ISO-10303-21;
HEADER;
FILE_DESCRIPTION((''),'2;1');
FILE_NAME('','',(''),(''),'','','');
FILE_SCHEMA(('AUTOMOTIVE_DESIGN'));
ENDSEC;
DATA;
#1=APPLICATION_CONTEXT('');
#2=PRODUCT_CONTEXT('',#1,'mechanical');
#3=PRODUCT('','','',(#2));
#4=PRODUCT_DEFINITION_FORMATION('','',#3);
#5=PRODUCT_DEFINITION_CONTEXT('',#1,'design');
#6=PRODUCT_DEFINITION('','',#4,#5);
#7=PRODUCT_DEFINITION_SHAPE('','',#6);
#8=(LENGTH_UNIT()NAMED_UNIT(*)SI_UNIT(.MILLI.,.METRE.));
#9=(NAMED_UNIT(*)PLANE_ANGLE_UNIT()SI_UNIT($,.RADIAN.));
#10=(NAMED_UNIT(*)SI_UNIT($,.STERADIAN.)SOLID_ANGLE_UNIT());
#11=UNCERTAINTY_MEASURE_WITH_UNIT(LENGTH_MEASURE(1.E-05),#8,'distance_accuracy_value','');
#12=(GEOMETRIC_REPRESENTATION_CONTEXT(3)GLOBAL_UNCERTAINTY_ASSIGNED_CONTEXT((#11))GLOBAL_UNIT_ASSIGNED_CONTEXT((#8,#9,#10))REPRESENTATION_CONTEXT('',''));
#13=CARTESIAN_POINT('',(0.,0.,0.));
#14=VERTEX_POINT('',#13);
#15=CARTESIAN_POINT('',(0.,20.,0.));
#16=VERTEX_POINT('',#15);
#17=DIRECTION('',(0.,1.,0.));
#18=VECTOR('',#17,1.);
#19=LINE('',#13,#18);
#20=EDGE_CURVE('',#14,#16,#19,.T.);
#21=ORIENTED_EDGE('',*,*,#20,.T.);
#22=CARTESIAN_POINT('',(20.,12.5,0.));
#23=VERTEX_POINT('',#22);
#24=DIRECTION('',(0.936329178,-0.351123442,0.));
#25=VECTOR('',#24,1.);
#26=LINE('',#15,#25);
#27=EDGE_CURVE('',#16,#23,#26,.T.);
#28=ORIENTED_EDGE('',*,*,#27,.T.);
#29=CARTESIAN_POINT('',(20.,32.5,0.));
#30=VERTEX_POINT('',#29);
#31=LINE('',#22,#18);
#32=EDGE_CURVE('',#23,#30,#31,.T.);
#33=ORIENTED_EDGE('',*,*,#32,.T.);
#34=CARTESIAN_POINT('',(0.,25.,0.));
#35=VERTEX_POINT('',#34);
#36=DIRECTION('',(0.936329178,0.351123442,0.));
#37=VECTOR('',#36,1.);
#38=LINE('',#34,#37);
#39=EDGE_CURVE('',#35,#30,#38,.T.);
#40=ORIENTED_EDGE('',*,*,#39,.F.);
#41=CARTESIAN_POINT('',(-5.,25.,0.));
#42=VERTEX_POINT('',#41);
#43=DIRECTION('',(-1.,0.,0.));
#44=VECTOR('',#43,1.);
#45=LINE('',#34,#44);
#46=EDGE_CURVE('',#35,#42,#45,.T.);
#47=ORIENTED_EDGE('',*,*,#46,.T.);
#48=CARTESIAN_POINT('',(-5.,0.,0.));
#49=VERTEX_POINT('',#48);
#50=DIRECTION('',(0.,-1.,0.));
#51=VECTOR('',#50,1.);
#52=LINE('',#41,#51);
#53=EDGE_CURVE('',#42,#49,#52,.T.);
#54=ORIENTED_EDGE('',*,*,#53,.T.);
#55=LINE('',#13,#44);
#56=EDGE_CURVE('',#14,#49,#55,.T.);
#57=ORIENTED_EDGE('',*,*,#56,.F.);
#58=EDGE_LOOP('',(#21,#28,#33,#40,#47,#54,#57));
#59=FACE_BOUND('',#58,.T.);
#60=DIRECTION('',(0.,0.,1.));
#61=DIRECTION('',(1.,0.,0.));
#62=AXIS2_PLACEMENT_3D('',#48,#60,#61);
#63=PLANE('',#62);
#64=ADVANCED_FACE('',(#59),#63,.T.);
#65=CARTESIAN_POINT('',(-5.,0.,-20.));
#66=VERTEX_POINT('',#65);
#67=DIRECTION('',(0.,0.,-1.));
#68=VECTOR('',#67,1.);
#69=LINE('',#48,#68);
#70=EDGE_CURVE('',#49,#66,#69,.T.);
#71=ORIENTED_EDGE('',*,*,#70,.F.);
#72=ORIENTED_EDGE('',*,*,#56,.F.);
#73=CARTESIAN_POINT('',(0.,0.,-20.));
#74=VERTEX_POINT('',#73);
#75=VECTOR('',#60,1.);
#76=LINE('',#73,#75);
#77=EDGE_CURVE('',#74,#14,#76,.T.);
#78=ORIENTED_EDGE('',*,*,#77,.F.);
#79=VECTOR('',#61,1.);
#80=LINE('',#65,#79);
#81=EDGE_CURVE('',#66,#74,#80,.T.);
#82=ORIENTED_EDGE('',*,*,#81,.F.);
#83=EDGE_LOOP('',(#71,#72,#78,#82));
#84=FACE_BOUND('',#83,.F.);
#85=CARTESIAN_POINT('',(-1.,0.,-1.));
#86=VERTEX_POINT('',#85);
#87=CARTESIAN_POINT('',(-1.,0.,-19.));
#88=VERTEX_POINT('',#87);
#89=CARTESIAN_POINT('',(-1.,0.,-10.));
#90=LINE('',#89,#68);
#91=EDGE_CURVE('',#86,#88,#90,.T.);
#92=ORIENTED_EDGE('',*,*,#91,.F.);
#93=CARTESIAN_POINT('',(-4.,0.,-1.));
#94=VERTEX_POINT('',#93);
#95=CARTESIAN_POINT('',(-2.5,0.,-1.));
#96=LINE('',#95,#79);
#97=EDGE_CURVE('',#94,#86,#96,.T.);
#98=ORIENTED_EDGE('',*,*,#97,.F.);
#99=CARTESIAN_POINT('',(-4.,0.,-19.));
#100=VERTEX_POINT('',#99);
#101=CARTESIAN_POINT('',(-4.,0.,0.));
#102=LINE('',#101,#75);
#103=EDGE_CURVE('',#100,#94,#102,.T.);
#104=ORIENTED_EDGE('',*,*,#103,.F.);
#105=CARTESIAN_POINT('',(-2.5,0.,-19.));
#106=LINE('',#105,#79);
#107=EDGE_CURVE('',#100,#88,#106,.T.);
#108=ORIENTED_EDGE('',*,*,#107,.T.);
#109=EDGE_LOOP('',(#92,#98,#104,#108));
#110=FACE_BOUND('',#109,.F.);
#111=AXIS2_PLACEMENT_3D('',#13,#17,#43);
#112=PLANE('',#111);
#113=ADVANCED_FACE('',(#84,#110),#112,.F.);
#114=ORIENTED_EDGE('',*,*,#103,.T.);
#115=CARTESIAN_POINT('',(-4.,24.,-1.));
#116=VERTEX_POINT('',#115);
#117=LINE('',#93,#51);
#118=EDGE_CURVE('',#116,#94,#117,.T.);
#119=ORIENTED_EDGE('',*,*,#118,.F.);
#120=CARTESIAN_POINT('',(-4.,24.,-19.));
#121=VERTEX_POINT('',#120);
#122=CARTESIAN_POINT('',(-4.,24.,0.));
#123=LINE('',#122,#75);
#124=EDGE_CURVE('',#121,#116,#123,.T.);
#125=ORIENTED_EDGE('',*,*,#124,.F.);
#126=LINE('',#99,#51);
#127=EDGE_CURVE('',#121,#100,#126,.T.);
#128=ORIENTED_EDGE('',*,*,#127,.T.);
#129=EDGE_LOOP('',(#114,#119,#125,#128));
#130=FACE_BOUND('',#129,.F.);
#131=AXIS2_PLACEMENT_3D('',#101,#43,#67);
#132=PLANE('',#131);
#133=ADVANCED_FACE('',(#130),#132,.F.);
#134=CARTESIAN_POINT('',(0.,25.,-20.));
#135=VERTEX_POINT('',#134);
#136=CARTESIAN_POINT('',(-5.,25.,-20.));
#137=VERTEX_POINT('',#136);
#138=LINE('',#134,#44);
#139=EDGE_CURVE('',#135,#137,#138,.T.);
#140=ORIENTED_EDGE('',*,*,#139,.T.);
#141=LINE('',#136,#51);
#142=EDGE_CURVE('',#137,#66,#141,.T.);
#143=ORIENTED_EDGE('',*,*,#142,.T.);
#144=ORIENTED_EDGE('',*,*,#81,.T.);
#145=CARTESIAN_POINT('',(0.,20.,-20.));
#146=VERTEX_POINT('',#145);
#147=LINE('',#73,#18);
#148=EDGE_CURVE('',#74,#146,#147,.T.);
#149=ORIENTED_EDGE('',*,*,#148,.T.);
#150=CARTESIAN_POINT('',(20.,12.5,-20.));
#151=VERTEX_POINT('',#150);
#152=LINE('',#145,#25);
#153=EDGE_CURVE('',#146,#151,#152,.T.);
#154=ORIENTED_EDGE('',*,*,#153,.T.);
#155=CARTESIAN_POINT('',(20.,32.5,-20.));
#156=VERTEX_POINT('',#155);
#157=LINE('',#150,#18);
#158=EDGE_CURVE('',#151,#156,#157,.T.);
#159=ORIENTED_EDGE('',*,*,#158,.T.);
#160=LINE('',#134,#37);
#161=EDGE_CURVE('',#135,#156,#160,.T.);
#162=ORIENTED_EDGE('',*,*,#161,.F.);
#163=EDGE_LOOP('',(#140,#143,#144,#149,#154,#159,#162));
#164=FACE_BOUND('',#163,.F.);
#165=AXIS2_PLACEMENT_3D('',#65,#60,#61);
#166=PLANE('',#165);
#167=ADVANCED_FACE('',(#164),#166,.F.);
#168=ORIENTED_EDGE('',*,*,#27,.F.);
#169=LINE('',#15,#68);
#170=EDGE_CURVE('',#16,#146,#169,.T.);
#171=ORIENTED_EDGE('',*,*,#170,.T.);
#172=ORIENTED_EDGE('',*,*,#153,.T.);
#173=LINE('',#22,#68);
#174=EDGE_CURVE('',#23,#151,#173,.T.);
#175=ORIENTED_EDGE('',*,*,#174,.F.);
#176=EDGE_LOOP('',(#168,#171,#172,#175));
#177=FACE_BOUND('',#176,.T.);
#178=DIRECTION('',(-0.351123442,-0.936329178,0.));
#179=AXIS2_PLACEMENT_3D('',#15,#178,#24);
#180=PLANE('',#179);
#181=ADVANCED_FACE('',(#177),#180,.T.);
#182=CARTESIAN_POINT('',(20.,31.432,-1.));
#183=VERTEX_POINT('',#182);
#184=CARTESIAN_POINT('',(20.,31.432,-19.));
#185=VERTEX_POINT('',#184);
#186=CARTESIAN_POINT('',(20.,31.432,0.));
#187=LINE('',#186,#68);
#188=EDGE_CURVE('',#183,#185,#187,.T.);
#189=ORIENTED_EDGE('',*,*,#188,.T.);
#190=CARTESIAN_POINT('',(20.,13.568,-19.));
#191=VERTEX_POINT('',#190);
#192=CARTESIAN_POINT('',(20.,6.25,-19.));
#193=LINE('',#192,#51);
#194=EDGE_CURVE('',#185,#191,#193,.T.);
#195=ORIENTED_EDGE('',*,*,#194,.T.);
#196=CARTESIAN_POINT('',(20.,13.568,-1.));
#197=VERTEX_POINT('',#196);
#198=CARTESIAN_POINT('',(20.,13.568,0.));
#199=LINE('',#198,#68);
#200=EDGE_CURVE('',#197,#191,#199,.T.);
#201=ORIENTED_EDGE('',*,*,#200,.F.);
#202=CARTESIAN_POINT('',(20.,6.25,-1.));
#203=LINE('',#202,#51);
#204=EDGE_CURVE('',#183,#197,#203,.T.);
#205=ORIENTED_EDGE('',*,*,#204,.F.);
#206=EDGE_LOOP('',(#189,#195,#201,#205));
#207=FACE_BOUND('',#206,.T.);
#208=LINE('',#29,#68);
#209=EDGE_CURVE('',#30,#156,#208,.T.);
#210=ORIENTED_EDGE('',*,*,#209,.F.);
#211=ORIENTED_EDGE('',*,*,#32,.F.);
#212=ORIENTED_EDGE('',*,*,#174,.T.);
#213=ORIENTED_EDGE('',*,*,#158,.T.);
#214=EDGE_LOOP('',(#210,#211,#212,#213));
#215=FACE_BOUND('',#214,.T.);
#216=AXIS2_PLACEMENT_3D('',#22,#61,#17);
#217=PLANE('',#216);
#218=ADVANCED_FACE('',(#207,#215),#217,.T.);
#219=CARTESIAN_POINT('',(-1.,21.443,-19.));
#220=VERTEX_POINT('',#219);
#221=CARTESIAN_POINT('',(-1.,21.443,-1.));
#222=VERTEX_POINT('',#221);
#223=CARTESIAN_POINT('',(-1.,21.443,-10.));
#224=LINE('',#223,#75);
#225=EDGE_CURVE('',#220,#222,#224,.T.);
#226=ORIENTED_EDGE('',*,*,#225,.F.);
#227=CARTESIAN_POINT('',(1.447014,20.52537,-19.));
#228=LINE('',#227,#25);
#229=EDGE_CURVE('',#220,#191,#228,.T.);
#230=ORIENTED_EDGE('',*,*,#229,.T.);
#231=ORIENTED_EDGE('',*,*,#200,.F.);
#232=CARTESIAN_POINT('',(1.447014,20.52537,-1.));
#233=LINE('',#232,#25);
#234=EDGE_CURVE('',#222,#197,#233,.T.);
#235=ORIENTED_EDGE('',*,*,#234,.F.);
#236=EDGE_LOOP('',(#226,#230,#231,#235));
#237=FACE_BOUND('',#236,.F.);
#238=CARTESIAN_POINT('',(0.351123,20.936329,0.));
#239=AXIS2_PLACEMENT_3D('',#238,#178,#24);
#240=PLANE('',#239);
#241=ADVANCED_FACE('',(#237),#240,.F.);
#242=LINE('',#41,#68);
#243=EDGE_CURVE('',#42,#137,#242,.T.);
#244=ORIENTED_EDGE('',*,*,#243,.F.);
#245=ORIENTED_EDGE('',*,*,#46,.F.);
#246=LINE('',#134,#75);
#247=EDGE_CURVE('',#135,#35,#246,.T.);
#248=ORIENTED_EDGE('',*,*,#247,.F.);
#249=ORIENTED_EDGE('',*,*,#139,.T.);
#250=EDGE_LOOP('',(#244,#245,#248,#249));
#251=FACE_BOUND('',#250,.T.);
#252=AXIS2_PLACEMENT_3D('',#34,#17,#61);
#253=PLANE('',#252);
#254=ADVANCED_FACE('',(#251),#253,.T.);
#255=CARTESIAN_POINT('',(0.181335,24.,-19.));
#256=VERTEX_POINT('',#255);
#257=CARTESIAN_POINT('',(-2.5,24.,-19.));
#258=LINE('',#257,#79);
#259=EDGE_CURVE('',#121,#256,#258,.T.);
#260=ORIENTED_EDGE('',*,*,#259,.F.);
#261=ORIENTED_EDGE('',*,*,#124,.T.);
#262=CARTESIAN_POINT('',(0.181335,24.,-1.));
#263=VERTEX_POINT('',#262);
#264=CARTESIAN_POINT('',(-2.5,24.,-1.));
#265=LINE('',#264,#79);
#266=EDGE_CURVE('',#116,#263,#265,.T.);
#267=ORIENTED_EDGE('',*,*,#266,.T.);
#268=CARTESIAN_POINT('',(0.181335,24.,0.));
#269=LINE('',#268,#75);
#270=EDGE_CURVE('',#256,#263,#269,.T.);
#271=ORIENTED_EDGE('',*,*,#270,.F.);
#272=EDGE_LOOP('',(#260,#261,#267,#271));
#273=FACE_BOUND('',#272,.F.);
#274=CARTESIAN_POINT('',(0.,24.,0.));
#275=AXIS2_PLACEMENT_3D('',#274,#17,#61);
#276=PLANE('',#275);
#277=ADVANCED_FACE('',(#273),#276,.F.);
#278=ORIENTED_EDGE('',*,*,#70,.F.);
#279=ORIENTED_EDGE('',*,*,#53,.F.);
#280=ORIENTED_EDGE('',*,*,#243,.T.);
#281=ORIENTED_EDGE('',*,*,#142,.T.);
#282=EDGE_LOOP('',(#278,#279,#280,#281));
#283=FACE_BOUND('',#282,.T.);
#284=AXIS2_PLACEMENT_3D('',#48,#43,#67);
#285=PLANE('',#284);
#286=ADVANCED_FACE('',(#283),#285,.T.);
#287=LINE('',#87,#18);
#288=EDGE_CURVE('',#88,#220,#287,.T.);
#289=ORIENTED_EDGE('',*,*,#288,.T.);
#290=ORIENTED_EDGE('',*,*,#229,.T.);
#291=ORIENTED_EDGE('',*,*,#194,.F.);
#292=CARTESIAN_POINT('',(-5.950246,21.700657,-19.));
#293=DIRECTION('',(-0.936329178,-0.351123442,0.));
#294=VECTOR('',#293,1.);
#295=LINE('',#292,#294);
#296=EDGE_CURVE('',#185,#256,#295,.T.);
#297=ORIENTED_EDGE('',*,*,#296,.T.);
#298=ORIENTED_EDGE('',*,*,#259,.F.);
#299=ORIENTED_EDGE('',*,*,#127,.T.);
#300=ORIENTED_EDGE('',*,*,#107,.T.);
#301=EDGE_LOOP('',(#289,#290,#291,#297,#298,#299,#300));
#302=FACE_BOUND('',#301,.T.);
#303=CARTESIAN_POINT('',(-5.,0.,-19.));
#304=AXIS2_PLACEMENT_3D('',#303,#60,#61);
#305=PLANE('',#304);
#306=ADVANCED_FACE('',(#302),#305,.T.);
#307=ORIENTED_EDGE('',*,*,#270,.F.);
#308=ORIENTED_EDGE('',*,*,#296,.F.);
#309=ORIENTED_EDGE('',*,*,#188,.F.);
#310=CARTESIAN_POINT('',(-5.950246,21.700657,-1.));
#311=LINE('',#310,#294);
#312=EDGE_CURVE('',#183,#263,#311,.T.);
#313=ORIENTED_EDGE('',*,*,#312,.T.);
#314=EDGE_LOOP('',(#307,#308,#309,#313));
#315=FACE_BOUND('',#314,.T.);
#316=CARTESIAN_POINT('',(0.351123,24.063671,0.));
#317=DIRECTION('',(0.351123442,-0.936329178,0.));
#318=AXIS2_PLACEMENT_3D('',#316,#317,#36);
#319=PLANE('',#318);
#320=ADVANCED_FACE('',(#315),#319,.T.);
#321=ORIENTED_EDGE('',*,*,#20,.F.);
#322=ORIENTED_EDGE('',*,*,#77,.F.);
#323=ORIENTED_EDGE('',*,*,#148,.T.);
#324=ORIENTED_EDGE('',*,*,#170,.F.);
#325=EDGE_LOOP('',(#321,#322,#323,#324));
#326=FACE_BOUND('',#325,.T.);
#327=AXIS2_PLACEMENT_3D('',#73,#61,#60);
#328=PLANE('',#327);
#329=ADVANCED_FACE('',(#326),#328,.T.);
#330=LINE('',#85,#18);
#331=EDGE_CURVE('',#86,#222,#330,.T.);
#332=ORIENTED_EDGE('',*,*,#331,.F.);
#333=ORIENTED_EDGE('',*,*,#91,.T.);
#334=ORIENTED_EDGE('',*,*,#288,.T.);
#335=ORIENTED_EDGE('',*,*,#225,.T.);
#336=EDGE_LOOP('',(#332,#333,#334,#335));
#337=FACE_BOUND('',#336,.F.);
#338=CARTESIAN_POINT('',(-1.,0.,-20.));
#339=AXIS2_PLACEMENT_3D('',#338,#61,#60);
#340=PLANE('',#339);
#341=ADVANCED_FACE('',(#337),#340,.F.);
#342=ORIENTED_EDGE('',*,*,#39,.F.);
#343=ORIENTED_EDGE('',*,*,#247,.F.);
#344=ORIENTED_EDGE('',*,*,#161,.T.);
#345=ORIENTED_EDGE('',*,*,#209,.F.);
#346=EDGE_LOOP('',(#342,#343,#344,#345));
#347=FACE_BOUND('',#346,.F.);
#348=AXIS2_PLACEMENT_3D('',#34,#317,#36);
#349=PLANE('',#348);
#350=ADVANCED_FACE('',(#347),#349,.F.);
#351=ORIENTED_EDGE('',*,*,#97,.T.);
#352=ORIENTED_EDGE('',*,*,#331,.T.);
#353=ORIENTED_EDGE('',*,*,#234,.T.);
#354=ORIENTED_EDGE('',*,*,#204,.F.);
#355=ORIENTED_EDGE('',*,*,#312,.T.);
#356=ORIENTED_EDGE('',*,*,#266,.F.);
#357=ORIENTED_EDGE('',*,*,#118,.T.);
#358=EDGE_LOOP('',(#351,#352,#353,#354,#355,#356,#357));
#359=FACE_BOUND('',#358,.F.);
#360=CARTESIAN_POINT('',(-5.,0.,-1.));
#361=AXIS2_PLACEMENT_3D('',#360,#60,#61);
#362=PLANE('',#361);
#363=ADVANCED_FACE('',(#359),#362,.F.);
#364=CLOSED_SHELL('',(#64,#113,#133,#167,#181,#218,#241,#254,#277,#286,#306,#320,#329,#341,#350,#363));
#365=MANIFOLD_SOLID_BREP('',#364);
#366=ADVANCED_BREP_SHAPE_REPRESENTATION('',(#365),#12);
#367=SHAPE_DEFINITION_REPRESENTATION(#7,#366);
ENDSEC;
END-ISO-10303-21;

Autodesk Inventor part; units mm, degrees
ref_plane "YZ Plane" through (0, 0, 0) normal (1, 0, 0) x (0, 1, 0)
ref_plane "XZ Plane" through (0, 0, 0) normal (0, 1, 0) x (-1, 0, 0)
ref_plane "XY Plane" through (0, 0, 0) normal (0, 0, 1) x (1, 0, 0)
sketch "草圖1" plane through (0, 0, 0) normal (0, 1, 0) x (-1, 0, 0)
  line L0 (0, 0) -> (5, 0)
  line L1 (5, 0) -> (5, -20)
  line L2 (5, -20) -> (0, -20)
  line L3 (0, -20) -> (0, 0)
  dimension "d0" = 5
  dimension "d1" = 20
extrude "擠出1" add sketch "草圖1" along normal blind 20
sketch "草圖3" plane through (0, 20, 0) normal (0, 1, 0) x (1, 0, 0)
  line L0 (0, 20) -> (-5, 20) projected
  line L1 (0, 0) -> (-5, 0)
  line L2 (-5, 0) -> (-5, 20)
  line L3 (-5, 20) -> (0, 20)
  line L4 (0, 20) -> (0, 0)
extrude "擠出3" add sketch "草圖3" along normal blind 5
sketch "草圖4" plane through (-5, 0, 0) normal (0, 0, 1) x (1, 0, 0)
  line L0 (5, 0) -> (5, 25) projected
  line L1 (0, 25) -> (5, 25) projected
  line L2 (5, 25) -> (0, 25) projected
  line L3 (5, 25) -> (25, 32.5)
  line L4 (5, 20) -> (25, 12.5)
  line L5 (25, 12.5) -> (25, 32.5)
  line L6 (0, 0) -> (5, 0) projected
  line L7 (0, 0) -> (0, 25) projected
  line L8 (-5.1212, 0) -> (30.7273, 0) projected
  dimension "d8" = 5
  dimension "d9" = 20
  dimension "d19" = 20
extrude "擠出4" add sketch "草圖4" against normal up to surface (20 mm away) contours L0 L3 L5 L4
shell "薄殼2" thickness 1 removed faces 2 at (20, 19.1667, -6.6667) at (-1.6667, 0, -6.6667)
equation "\"d0\" = bottom_w"
equation "\"d1\" = bottom_l"
equation "\"d2\" = bottom_h"
equation "\"d6\" = nuzzle_lh"
equation "\"d8\" = nuzzle_lh"
equation "\"d9\" = 4 * nuzzle_lh"
equation "\"d15\" = nuzzle_lh"
equation "\"bottom_w\" = 5"
equation "\"bottom_l\" = 20"
equation "\"bottom_h\" = 20"
equation "\"nuzzle_lh\" = 5"
properties part number "nuzzle_v1_0310"
